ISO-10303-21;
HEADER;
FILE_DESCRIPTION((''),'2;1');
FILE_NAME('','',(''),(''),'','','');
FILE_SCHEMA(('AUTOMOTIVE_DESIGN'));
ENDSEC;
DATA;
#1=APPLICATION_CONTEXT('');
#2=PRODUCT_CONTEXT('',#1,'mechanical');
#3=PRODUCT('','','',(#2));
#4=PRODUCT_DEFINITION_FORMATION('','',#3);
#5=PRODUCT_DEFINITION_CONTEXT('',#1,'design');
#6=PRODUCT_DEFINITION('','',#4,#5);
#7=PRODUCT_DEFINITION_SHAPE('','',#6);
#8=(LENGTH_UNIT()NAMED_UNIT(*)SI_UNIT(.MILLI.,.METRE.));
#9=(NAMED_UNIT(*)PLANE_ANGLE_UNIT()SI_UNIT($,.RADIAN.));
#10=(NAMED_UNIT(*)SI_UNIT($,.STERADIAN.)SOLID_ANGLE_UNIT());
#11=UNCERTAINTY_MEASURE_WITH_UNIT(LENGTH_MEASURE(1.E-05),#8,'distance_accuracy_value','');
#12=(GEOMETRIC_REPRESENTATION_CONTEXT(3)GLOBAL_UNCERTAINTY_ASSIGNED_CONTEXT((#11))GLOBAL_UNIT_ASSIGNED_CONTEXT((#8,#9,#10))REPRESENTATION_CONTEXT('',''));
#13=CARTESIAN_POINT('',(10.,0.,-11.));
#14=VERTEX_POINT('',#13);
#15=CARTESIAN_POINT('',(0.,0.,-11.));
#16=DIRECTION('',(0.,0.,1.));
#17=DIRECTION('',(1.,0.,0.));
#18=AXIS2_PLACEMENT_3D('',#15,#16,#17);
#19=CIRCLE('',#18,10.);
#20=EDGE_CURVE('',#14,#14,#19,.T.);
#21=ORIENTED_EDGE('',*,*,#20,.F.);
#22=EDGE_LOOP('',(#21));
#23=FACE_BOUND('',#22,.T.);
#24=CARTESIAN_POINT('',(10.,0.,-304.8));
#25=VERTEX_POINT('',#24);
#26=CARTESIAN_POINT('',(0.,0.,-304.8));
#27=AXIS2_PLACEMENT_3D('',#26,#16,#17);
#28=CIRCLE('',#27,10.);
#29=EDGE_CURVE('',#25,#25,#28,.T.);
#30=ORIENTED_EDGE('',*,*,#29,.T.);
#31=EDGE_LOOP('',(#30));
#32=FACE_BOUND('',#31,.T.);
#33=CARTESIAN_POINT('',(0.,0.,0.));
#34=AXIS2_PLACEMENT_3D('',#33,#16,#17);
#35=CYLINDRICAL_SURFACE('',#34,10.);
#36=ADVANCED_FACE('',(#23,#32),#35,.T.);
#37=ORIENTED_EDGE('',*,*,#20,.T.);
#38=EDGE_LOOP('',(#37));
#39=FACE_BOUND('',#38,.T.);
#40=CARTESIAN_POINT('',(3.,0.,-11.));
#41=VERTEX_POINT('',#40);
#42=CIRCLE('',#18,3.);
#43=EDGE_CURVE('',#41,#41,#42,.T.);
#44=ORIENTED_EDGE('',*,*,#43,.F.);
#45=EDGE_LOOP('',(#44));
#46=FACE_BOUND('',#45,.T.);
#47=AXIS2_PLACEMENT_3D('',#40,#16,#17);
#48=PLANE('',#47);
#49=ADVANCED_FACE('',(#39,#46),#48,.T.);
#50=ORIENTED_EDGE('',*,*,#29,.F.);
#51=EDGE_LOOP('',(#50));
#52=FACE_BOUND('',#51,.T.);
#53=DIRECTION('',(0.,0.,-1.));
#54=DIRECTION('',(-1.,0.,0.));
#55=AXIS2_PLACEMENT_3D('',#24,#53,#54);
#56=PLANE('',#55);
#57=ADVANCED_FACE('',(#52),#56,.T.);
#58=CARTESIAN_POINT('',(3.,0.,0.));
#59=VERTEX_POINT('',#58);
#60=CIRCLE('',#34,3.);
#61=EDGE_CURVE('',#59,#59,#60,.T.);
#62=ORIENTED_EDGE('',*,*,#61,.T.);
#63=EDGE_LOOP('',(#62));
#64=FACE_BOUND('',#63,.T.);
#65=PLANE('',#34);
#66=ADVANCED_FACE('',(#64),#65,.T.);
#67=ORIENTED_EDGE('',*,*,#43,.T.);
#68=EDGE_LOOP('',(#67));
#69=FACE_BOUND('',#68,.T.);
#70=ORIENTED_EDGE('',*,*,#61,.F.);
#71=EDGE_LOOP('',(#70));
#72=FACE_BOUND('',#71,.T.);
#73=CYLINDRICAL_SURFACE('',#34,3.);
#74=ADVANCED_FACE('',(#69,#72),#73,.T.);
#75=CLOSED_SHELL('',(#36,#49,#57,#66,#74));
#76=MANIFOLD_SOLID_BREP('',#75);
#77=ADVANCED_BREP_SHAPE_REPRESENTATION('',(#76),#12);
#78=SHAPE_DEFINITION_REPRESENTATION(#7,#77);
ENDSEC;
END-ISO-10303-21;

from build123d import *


with BuildPart() as part:
    # Sketch2 → Revolve1 (revolve)
    with BuildSketch(Plane(origin=(0, 0, 0), x_dir=(1, 0, 0), z_dir=(0, 1, 0))):
        Polygon((0, 0), (3, 0), (3, 11), (10, 11), (10, 304.8), (0, 304.8), align=None)
    revolve(axis=Axis((0, 0, 0), (0, 0, -1)))


solid = part.part
